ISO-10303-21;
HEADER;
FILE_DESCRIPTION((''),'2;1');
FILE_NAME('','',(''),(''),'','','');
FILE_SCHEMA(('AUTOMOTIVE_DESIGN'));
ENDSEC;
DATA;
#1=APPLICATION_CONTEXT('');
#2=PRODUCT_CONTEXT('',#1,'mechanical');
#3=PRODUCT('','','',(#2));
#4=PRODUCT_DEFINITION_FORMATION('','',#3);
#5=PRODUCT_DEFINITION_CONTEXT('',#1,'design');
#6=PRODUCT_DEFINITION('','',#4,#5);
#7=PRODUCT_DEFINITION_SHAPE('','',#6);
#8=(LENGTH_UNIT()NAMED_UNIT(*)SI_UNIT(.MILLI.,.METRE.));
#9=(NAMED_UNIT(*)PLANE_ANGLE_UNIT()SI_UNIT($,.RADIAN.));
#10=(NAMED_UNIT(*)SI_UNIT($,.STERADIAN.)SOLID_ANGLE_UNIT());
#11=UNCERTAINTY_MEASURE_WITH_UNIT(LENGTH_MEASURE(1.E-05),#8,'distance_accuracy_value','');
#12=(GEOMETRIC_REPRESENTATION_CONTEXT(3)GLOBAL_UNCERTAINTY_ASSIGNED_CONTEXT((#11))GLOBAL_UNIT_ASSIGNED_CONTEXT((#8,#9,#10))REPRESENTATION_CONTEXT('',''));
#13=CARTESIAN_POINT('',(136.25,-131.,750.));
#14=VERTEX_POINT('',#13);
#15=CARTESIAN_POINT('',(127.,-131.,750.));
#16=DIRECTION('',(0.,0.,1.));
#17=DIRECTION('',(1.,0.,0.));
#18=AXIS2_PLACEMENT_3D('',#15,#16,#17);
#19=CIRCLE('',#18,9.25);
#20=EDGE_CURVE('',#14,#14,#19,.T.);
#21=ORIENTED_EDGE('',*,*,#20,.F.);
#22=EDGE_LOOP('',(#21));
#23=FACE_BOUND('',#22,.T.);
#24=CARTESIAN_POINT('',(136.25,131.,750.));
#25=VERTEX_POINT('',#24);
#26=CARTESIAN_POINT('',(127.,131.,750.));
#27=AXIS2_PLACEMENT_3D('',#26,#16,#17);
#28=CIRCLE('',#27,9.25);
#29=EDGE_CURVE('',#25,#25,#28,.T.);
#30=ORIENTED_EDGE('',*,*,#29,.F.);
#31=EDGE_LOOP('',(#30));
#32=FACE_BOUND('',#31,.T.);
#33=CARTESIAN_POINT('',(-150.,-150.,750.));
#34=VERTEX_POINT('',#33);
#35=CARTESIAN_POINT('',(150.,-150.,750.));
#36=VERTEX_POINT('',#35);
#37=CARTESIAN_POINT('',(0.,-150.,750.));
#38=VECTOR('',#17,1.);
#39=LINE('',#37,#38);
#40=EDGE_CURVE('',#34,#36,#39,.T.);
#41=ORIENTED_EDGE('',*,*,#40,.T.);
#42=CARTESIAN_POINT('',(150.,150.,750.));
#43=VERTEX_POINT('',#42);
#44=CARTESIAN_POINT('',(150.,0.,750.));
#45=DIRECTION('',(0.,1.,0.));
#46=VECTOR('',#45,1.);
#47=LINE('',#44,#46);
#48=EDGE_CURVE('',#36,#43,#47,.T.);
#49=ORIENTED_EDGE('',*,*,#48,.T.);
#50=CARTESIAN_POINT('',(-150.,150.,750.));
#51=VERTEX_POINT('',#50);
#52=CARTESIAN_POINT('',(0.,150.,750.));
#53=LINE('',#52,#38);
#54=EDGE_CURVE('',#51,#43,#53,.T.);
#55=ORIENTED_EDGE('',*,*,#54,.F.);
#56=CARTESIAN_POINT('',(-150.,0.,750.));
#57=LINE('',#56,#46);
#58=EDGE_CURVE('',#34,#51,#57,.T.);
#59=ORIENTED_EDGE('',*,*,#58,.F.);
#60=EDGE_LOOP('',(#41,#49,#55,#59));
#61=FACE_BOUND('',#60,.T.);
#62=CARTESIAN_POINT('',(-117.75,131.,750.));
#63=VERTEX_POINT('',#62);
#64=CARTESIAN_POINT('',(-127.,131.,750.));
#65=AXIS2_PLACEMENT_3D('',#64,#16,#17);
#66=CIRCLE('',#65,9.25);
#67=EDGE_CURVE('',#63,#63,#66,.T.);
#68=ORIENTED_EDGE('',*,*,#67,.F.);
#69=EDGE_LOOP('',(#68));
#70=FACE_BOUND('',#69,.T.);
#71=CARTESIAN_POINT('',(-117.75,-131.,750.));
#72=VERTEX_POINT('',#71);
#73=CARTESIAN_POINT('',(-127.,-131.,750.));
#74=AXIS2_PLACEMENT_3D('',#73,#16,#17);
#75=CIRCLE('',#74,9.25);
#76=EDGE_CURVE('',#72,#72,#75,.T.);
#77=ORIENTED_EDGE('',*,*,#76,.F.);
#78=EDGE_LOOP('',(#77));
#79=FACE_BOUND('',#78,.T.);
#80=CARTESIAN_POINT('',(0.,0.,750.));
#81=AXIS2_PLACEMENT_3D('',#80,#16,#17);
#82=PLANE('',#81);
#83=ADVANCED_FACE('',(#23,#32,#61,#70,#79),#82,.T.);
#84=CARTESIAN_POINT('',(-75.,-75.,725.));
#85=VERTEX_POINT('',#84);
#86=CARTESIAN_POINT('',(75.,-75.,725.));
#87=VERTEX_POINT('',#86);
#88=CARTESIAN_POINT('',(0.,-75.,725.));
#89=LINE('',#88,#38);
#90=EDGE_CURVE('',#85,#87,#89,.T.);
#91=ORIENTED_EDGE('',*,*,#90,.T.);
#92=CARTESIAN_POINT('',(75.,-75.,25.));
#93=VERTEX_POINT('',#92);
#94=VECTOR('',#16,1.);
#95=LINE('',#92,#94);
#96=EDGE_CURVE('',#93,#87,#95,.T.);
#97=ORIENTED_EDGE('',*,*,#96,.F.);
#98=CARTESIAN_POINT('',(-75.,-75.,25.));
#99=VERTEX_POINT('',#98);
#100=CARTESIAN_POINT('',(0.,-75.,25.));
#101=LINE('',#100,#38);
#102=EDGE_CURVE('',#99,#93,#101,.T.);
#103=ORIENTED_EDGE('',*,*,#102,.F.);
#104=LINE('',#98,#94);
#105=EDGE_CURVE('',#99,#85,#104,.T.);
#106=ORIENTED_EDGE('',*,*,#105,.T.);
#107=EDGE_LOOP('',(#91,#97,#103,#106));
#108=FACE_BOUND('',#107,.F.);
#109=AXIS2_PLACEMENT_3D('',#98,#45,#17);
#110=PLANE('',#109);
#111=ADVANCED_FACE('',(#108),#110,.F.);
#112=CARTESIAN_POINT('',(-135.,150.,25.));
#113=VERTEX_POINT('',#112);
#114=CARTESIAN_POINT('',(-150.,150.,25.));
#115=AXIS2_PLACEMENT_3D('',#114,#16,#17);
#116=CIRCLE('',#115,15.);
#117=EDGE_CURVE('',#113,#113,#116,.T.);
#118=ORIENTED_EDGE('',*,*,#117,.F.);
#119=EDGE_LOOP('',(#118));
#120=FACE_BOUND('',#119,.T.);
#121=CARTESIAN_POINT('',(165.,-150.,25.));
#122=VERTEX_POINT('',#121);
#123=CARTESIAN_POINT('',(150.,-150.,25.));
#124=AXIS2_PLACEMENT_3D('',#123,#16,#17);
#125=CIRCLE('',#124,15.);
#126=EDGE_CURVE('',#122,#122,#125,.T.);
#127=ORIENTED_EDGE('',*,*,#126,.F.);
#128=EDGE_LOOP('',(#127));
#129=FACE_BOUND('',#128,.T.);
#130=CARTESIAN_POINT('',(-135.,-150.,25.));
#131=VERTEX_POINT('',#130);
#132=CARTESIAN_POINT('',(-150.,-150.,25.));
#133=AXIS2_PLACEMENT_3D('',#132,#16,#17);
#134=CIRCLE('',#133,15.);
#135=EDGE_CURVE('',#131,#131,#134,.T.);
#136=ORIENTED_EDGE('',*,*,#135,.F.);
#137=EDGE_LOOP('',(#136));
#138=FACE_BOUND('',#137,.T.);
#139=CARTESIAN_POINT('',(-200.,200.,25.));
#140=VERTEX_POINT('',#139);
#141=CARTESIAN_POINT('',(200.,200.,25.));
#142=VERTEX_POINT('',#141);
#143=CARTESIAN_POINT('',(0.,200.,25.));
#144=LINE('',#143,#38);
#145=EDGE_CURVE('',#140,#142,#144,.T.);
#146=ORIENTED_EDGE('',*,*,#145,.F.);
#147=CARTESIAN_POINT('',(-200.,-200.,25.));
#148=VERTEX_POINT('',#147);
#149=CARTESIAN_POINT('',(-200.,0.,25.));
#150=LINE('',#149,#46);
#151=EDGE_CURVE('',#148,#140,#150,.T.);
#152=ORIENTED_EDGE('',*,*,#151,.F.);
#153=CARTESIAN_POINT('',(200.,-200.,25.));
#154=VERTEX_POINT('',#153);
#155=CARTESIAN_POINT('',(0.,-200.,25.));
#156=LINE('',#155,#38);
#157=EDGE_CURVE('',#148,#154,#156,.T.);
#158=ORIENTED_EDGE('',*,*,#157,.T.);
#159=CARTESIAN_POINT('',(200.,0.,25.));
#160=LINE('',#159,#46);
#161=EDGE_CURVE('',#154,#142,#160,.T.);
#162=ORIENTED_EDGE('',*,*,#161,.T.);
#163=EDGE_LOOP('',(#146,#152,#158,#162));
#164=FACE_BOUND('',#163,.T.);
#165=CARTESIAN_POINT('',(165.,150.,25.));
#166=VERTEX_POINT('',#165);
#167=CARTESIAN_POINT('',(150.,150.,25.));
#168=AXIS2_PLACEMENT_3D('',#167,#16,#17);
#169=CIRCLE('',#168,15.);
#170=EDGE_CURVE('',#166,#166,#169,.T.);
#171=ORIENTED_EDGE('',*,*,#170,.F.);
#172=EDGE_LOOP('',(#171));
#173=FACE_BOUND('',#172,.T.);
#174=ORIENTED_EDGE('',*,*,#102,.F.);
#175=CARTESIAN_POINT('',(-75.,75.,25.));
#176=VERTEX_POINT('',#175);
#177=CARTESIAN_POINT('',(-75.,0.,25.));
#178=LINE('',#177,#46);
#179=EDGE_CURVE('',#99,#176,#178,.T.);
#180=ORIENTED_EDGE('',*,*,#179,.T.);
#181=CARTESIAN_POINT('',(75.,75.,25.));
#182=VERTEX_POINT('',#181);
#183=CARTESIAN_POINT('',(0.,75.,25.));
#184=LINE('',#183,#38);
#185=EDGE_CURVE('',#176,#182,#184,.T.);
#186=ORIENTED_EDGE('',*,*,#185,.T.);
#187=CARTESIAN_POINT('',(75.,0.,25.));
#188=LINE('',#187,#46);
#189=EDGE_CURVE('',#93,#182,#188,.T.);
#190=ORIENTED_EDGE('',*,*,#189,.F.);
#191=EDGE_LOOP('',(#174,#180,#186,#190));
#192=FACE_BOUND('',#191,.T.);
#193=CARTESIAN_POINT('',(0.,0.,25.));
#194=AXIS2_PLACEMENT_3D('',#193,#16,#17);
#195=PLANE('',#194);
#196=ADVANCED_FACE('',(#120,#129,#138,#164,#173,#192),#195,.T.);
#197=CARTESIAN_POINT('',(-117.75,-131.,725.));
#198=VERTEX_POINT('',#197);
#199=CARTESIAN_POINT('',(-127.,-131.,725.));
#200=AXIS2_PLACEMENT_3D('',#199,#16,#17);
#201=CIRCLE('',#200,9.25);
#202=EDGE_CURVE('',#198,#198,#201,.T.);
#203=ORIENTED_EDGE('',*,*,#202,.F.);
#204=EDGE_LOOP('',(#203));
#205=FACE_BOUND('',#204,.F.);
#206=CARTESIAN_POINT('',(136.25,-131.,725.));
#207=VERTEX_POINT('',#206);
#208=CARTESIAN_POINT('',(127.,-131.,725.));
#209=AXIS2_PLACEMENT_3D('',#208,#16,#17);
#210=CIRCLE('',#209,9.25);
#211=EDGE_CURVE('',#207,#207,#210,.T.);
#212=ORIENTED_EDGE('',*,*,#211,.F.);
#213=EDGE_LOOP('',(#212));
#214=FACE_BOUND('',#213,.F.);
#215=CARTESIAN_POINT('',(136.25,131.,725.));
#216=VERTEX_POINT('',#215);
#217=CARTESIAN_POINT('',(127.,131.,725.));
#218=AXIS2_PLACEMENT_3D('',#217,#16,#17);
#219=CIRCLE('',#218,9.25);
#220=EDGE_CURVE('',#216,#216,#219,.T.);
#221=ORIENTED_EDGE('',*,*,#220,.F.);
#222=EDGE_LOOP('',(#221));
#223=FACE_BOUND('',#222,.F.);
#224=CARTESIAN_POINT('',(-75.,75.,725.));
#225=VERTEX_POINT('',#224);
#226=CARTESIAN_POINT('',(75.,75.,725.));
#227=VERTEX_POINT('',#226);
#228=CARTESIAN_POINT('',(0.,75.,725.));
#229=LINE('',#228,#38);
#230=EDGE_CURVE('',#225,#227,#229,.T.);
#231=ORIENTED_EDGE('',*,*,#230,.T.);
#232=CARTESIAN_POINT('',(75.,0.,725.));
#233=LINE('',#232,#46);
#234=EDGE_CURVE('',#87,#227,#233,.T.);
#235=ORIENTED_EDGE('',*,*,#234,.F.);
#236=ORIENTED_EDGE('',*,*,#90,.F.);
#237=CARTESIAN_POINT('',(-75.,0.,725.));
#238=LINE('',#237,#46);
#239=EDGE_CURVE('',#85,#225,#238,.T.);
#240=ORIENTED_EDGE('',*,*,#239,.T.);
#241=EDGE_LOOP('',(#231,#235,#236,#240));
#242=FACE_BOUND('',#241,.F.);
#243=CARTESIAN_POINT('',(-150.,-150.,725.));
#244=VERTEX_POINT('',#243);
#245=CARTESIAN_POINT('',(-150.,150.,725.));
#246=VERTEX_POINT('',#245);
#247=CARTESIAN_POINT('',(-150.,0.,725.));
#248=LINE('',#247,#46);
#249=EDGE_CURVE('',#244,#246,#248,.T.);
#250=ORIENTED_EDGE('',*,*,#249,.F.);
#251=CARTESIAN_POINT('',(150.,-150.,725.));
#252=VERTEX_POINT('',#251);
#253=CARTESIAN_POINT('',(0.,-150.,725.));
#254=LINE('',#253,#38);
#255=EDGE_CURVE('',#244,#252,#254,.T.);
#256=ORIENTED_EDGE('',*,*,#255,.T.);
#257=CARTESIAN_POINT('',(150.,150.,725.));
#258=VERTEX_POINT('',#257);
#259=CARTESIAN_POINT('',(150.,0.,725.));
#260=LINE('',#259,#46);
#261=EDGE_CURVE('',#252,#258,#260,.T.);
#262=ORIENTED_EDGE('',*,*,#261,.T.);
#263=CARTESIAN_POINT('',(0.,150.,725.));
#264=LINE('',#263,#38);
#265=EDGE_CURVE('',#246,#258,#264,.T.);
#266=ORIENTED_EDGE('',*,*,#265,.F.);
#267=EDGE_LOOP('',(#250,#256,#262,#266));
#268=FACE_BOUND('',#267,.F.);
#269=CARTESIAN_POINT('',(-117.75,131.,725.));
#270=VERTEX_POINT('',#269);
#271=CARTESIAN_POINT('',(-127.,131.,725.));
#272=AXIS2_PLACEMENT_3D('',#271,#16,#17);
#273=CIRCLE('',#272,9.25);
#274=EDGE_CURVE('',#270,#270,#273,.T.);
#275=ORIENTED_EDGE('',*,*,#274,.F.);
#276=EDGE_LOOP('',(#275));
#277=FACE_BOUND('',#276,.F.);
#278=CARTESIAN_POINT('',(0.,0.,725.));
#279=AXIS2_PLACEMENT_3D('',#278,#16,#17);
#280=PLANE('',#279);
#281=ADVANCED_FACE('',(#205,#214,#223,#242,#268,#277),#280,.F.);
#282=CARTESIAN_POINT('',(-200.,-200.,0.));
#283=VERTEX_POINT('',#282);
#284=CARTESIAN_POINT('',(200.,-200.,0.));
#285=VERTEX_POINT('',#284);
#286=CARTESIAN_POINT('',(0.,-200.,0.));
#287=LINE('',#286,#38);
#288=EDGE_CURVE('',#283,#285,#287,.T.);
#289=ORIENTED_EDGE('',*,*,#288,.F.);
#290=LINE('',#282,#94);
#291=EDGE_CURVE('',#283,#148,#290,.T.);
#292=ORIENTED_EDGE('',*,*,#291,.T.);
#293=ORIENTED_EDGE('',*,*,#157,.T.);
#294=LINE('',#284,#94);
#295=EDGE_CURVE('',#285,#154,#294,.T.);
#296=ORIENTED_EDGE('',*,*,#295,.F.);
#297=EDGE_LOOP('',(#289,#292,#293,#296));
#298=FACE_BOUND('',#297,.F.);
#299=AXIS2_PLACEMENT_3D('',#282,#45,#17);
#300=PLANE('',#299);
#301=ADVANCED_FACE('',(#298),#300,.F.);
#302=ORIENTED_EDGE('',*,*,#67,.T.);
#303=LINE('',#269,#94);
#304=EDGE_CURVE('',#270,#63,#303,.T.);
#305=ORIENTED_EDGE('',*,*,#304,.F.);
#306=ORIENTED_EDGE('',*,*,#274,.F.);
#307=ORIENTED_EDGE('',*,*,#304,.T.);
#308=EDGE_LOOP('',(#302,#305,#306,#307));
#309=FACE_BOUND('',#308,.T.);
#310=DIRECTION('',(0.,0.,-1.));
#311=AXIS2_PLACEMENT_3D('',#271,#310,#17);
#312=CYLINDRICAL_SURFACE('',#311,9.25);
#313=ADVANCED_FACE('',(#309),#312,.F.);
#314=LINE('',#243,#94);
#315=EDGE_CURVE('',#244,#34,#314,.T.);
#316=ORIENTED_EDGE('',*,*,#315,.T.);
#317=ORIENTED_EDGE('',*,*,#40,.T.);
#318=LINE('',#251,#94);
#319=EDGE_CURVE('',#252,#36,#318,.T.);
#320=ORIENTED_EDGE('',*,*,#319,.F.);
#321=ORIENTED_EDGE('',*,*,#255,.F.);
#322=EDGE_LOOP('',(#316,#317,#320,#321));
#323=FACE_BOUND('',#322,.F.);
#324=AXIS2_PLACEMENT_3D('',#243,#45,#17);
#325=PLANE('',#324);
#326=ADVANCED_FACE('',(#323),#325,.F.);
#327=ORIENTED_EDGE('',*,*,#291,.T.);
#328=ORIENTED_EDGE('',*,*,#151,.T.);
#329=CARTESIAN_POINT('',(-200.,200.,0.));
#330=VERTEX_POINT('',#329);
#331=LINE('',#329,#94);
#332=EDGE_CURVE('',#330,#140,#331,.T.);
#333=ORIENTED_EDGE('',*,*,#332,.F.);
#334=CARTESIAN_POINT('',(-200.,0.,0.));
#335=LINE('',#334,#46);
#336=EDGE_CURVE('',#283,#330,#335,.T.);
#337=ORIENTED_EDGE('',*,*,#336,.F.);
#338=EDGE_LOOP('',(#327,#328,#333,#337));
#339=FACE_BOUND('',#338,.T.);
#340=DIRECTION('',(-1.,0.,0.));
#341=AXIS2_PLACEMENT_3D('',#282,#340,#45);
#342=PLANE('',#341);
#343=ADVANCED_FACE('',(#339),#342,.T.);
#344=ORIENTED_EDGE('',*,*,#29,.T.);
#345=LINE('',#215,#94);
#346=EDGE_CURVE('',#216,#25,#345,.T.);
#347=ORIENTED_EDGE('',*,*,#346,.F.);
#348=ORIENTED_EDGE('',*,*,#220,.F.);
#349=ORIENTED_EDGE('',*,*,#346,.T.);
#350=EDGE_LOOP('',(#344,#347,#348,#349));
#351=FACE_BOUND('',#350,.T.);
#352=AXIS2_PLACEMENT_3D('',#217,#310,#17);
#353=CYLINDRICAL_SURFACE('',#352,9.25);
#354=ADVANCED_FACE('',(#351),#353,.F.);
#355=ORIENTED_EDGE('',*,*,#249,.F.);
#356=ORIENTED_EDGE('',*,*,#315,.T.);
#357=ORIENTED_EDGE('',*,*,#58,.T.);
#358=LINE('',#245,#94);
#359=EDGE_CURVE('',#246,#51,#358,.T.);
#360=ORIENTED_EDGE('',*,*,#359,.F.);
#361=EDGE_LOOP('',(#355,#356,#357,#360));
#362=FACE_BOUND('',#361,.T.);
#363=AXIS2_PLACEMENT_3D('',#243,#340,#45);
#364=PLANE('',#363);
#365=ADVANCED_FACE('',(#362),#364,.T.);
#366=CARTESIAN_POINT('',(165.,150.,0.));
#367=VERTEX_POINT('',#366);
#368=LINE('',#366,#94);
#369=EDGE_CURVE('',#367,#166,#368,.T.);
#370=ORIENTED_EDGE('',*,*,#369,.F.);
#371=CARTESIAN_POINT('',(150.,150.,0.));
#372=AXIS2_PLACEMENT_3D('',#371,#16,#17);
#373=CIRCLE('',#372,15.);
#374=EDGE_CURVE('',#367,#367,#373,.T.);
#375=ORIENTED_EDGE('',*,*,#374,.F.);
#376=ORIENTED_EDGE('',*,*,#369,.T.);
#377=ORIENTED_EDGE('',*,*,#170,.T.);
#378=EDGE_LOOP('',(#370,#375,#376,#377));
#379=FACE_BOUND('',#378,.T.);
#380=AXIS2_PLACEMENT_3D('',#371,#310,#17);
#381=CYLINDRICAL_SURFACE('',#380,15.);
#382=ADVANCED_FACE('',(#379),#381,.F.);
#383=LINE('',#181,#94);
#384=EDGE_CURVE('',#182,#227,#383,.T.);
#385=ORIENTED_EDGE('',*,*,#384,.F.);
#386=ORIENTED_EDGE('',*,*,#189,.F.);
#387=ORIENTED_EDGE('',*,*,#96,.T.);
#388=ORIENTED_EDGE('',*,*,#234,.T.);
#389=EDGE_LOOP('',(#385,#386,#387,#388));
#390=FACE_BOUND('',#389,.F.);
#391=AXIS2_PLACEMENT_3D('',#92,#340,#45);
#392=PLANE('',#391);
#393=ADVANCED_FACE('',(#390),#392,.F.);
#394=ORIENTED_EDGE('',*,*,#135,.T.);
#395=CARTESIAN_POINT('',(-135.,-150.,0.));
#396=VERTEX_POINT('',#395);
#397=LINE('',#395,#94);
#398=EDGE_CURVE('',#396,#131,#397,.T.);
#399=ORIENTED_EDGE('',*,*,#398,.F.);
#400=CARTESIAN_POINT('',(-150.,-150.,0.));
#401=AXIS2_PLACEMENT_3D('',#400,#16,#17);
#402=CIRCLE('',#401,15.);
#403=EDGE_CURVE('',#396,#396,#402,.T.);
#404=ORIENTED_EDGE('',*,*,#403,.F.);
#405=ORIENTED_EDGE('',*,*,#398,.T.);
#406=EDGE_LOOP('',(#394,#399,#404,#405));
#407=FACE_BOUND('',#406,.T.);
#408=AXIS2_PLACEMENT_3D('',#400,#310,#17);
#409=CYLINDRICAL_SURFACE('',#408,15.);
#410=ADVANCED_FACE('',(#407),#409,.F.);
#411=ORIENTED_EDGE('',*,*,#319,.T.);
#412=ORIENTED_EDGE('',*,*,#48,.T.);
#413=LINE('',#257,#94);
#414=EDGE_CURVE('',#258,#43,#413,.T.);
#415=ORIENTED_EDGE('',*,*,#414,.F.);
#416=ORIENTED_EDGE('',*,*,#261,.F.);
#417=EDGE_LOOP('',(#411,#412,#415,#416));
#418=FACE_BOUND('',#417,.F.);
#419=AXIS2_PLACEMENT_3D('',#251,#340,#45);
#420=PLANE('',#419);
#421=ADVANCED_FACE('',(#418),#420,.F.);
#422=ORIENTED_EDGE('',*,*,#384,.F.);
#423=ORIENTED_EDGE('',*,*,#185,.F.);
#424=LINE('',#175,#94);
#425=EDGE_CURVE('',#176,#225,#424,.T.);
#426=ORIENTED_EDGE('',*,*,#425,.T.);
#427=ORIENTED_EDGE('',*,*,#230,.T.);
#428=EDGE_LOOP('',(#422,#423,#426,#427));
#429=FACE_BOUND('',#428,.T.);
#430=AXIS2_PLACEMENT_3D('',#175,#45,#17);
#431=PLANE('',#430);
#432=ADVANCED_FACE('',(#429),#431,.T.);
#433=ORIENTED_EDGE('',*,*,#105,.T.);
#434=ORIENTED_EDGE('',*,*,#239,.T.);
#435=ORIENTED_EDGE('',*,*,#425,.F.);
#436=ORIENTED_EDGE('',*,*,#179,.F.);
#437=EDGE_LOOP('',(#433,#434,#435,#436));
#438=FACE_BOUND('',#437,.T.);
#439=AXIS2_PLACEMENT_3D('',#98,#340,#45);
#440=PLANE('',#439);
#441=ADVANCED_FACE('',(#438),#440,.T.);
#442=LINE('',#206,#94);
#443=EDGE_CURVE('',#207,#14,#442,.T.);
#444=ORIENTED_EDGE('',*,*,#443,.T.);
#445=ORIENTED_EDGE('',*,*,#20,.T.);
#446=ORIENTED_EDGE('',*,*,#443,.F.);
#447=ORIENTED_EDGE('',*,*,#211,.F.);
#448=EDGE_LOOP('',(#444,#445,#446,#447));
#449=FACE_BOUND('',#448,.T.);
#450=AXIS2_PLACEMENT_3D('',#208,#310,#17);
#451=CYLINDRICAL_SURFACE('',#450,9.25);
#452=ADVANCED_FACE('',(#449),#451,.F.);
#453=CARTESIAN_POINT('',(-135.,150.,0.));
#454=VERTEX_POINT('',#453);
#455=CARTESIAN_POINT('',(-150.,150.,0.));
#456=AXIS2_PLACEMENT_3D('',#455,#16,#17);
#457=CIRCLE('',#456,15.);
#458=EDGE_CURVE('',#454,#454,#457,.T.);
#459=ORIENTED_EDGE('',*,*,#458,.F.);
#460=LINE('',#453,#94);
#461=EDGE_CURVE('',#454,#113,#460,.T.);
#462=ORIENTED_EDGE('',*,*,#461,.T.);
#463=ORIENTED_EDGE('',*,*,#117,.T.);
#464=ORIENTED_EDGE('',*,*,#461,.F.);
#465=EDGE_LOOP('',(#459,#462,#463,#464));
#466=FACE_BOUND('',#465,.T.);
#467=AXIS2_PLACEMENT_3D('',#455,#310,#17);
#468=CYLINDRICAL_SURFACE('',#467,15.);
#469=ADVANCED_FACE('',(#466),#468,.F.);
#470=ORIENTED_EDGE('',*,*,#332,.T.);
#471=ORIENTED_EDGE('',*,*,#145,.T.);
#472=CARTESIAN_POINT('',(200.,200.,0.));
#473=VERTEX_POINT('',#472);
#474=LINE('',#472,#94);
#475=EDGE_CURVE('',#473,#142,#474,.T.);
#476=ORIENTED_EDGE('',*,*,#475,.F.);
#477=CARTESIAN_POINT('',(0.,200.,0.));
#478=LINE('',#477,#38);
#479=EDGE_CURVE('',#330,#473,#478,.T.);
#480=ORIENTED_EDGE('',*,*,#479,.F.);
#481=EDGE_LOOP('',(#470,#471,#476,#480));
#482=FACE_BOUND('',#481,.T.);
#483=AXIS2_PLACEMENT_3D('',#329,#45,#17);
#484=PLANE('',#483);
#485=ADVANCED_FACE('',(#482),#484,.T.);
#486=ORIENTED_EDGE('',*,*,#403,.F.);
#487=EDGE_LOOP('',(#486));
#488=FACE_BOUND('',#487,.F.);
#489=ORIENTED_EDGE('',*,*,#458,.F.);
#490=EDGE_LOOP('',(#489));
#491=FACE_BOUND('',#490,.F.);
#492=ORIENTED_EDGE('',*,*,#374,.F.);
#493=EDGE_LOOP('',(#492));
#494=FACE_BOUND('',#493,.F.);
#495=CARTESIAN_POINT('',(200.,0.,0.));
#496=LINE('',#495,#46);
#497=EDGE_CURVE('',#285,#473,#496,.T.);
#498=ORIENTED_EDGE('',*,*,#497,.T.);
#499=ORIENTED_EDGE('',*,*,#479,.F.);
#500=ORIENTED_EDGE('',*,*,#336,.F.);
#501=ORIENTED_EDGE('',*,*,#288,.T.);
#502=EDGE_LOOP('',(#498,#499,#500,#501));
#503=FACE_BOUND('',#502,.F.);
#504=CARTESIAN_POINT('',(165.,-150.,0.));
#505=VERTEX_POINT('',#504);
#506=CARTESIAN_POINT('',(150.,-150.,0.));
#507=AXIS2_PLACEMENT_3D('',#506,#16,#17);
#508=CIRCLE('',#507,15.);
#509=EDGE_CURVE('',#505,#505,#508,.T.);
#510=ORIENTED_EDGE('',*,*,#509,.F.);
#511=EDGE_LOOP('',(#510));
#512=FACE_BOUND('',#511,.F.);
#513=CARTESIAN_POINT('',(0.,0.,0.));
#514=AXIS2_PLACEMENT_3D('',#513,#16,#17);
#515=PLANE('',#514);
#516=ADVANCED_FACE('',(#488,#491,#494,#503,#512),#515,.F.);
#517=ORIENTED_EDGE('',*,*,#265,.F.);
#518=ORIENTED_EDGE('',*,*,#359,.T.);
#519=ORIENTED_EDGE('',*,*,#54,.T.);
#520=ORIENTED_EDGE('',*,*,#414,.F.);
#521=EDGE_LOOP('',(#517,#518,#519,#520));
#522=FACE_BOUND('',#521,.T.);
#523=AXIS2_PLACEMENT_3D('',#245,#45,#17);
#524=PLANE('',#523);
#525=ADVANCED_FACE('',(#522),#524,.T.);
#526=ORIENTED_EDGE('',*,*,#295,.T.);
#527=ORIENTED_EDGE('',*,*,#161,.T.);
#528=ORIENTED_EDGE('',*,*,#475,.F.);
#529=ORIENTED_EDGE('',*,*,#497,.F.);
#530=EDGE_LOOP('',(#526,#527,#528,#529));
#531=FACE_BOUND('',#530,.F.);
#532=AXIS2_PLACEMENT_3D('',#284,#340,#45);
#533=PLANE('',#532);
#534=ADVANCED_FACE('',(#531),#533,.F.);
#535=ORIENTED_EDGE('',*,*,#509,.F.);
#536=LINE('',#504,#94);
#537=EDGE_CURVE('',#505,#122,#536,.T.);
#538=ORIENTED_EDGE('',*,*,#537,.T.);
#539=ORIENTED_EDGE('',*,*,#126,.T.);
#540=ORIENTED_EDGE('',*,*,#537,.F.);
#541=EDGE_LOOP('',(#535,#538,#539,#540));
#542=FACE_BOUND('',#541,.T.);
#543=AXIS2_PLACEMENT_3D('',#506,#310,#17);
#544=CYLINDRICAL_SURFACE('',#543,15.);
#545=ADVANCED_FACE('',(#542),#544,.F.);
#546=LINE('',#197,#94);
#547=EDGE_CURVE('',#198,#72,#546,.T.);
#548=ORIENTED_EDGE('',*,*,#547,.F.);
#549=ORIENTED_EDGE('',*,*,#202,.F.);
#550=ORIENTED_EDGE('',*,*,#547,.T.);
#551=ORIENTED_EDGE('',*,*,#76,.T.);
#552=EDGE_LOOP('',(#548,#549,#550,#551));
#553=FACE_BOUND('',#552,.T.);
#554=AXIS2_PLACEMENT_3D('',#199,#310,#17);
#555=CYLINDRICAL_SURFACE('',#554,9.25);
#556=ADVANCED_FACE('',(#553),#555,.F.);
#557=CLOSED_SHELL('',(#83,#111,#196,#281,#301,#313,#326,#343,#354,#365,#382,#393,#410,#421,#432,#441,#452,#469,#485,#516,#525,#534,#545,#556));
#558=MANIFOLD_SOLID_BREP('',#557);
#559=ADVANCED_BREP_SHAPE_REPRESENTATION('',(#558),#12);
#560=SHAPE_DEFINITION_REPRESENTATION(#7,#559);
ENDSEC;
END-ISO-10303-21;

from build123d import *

# Parameters (mm, degrees)
F0_W     = 400
F0_H     = 400
F0_R     = 15
F1_DEPTH = 25
F2_W     = 150
F2_H     = 150
F3_DEPTH = 700
F4_W     = 300
F4_H     = 300
F4_R     = 9.25
F5_DEPTH = 25


with BuildPart() as f1:
    # F0 (on Top) → F1 (new body)
    with BuildSketch(Plane.XY):
        Rectangle(F0_W, F0_H)
        with Locations((-150, -150)):
            Circle(F0_R, mode=Mode.SUBTRACT)
        with Locations((150, -150)):
            Circle(F0_R, mode=Mode.SUBTRACT)
        with Locations((-150, 150)):
            Circle(F0_R, mode=Mode.SUBTRACT)
        with Locations((150, 150)):
            Circle(F0_R, mode=Mode.SUBTRACT)
    extrude(amount=F1_DEPTH)

    # F2 (on face) → F3 (join)
    with BuildSketch(Plane.XY.offset(25)):
        Rectangle(F2_W, F2_H)
    extrude(amount=F3_DEPTH)

    # F4 (on face) → F5 (join)
    with BuildSketch(Plane.XY.offset(725)):
        Rectangle(F4_W, F4_H)
        with Locations((-127, -131)):
            Circle(F4_R, mode=Mode.SUBTRACT)
        with Locations((127, -131)):
            Circle(F4_R, mode=Mode.SUBTRACT)
        with Locations((-127, 131)):
            Circle(F4_R, mode=Mode.SUBTRACT)
        with Locations((127, 131)):
            Circle(F4_R, mode=Mode.SUBTRACT)
    extrude(amount=F5_DEPTH)


solid = f1.part
